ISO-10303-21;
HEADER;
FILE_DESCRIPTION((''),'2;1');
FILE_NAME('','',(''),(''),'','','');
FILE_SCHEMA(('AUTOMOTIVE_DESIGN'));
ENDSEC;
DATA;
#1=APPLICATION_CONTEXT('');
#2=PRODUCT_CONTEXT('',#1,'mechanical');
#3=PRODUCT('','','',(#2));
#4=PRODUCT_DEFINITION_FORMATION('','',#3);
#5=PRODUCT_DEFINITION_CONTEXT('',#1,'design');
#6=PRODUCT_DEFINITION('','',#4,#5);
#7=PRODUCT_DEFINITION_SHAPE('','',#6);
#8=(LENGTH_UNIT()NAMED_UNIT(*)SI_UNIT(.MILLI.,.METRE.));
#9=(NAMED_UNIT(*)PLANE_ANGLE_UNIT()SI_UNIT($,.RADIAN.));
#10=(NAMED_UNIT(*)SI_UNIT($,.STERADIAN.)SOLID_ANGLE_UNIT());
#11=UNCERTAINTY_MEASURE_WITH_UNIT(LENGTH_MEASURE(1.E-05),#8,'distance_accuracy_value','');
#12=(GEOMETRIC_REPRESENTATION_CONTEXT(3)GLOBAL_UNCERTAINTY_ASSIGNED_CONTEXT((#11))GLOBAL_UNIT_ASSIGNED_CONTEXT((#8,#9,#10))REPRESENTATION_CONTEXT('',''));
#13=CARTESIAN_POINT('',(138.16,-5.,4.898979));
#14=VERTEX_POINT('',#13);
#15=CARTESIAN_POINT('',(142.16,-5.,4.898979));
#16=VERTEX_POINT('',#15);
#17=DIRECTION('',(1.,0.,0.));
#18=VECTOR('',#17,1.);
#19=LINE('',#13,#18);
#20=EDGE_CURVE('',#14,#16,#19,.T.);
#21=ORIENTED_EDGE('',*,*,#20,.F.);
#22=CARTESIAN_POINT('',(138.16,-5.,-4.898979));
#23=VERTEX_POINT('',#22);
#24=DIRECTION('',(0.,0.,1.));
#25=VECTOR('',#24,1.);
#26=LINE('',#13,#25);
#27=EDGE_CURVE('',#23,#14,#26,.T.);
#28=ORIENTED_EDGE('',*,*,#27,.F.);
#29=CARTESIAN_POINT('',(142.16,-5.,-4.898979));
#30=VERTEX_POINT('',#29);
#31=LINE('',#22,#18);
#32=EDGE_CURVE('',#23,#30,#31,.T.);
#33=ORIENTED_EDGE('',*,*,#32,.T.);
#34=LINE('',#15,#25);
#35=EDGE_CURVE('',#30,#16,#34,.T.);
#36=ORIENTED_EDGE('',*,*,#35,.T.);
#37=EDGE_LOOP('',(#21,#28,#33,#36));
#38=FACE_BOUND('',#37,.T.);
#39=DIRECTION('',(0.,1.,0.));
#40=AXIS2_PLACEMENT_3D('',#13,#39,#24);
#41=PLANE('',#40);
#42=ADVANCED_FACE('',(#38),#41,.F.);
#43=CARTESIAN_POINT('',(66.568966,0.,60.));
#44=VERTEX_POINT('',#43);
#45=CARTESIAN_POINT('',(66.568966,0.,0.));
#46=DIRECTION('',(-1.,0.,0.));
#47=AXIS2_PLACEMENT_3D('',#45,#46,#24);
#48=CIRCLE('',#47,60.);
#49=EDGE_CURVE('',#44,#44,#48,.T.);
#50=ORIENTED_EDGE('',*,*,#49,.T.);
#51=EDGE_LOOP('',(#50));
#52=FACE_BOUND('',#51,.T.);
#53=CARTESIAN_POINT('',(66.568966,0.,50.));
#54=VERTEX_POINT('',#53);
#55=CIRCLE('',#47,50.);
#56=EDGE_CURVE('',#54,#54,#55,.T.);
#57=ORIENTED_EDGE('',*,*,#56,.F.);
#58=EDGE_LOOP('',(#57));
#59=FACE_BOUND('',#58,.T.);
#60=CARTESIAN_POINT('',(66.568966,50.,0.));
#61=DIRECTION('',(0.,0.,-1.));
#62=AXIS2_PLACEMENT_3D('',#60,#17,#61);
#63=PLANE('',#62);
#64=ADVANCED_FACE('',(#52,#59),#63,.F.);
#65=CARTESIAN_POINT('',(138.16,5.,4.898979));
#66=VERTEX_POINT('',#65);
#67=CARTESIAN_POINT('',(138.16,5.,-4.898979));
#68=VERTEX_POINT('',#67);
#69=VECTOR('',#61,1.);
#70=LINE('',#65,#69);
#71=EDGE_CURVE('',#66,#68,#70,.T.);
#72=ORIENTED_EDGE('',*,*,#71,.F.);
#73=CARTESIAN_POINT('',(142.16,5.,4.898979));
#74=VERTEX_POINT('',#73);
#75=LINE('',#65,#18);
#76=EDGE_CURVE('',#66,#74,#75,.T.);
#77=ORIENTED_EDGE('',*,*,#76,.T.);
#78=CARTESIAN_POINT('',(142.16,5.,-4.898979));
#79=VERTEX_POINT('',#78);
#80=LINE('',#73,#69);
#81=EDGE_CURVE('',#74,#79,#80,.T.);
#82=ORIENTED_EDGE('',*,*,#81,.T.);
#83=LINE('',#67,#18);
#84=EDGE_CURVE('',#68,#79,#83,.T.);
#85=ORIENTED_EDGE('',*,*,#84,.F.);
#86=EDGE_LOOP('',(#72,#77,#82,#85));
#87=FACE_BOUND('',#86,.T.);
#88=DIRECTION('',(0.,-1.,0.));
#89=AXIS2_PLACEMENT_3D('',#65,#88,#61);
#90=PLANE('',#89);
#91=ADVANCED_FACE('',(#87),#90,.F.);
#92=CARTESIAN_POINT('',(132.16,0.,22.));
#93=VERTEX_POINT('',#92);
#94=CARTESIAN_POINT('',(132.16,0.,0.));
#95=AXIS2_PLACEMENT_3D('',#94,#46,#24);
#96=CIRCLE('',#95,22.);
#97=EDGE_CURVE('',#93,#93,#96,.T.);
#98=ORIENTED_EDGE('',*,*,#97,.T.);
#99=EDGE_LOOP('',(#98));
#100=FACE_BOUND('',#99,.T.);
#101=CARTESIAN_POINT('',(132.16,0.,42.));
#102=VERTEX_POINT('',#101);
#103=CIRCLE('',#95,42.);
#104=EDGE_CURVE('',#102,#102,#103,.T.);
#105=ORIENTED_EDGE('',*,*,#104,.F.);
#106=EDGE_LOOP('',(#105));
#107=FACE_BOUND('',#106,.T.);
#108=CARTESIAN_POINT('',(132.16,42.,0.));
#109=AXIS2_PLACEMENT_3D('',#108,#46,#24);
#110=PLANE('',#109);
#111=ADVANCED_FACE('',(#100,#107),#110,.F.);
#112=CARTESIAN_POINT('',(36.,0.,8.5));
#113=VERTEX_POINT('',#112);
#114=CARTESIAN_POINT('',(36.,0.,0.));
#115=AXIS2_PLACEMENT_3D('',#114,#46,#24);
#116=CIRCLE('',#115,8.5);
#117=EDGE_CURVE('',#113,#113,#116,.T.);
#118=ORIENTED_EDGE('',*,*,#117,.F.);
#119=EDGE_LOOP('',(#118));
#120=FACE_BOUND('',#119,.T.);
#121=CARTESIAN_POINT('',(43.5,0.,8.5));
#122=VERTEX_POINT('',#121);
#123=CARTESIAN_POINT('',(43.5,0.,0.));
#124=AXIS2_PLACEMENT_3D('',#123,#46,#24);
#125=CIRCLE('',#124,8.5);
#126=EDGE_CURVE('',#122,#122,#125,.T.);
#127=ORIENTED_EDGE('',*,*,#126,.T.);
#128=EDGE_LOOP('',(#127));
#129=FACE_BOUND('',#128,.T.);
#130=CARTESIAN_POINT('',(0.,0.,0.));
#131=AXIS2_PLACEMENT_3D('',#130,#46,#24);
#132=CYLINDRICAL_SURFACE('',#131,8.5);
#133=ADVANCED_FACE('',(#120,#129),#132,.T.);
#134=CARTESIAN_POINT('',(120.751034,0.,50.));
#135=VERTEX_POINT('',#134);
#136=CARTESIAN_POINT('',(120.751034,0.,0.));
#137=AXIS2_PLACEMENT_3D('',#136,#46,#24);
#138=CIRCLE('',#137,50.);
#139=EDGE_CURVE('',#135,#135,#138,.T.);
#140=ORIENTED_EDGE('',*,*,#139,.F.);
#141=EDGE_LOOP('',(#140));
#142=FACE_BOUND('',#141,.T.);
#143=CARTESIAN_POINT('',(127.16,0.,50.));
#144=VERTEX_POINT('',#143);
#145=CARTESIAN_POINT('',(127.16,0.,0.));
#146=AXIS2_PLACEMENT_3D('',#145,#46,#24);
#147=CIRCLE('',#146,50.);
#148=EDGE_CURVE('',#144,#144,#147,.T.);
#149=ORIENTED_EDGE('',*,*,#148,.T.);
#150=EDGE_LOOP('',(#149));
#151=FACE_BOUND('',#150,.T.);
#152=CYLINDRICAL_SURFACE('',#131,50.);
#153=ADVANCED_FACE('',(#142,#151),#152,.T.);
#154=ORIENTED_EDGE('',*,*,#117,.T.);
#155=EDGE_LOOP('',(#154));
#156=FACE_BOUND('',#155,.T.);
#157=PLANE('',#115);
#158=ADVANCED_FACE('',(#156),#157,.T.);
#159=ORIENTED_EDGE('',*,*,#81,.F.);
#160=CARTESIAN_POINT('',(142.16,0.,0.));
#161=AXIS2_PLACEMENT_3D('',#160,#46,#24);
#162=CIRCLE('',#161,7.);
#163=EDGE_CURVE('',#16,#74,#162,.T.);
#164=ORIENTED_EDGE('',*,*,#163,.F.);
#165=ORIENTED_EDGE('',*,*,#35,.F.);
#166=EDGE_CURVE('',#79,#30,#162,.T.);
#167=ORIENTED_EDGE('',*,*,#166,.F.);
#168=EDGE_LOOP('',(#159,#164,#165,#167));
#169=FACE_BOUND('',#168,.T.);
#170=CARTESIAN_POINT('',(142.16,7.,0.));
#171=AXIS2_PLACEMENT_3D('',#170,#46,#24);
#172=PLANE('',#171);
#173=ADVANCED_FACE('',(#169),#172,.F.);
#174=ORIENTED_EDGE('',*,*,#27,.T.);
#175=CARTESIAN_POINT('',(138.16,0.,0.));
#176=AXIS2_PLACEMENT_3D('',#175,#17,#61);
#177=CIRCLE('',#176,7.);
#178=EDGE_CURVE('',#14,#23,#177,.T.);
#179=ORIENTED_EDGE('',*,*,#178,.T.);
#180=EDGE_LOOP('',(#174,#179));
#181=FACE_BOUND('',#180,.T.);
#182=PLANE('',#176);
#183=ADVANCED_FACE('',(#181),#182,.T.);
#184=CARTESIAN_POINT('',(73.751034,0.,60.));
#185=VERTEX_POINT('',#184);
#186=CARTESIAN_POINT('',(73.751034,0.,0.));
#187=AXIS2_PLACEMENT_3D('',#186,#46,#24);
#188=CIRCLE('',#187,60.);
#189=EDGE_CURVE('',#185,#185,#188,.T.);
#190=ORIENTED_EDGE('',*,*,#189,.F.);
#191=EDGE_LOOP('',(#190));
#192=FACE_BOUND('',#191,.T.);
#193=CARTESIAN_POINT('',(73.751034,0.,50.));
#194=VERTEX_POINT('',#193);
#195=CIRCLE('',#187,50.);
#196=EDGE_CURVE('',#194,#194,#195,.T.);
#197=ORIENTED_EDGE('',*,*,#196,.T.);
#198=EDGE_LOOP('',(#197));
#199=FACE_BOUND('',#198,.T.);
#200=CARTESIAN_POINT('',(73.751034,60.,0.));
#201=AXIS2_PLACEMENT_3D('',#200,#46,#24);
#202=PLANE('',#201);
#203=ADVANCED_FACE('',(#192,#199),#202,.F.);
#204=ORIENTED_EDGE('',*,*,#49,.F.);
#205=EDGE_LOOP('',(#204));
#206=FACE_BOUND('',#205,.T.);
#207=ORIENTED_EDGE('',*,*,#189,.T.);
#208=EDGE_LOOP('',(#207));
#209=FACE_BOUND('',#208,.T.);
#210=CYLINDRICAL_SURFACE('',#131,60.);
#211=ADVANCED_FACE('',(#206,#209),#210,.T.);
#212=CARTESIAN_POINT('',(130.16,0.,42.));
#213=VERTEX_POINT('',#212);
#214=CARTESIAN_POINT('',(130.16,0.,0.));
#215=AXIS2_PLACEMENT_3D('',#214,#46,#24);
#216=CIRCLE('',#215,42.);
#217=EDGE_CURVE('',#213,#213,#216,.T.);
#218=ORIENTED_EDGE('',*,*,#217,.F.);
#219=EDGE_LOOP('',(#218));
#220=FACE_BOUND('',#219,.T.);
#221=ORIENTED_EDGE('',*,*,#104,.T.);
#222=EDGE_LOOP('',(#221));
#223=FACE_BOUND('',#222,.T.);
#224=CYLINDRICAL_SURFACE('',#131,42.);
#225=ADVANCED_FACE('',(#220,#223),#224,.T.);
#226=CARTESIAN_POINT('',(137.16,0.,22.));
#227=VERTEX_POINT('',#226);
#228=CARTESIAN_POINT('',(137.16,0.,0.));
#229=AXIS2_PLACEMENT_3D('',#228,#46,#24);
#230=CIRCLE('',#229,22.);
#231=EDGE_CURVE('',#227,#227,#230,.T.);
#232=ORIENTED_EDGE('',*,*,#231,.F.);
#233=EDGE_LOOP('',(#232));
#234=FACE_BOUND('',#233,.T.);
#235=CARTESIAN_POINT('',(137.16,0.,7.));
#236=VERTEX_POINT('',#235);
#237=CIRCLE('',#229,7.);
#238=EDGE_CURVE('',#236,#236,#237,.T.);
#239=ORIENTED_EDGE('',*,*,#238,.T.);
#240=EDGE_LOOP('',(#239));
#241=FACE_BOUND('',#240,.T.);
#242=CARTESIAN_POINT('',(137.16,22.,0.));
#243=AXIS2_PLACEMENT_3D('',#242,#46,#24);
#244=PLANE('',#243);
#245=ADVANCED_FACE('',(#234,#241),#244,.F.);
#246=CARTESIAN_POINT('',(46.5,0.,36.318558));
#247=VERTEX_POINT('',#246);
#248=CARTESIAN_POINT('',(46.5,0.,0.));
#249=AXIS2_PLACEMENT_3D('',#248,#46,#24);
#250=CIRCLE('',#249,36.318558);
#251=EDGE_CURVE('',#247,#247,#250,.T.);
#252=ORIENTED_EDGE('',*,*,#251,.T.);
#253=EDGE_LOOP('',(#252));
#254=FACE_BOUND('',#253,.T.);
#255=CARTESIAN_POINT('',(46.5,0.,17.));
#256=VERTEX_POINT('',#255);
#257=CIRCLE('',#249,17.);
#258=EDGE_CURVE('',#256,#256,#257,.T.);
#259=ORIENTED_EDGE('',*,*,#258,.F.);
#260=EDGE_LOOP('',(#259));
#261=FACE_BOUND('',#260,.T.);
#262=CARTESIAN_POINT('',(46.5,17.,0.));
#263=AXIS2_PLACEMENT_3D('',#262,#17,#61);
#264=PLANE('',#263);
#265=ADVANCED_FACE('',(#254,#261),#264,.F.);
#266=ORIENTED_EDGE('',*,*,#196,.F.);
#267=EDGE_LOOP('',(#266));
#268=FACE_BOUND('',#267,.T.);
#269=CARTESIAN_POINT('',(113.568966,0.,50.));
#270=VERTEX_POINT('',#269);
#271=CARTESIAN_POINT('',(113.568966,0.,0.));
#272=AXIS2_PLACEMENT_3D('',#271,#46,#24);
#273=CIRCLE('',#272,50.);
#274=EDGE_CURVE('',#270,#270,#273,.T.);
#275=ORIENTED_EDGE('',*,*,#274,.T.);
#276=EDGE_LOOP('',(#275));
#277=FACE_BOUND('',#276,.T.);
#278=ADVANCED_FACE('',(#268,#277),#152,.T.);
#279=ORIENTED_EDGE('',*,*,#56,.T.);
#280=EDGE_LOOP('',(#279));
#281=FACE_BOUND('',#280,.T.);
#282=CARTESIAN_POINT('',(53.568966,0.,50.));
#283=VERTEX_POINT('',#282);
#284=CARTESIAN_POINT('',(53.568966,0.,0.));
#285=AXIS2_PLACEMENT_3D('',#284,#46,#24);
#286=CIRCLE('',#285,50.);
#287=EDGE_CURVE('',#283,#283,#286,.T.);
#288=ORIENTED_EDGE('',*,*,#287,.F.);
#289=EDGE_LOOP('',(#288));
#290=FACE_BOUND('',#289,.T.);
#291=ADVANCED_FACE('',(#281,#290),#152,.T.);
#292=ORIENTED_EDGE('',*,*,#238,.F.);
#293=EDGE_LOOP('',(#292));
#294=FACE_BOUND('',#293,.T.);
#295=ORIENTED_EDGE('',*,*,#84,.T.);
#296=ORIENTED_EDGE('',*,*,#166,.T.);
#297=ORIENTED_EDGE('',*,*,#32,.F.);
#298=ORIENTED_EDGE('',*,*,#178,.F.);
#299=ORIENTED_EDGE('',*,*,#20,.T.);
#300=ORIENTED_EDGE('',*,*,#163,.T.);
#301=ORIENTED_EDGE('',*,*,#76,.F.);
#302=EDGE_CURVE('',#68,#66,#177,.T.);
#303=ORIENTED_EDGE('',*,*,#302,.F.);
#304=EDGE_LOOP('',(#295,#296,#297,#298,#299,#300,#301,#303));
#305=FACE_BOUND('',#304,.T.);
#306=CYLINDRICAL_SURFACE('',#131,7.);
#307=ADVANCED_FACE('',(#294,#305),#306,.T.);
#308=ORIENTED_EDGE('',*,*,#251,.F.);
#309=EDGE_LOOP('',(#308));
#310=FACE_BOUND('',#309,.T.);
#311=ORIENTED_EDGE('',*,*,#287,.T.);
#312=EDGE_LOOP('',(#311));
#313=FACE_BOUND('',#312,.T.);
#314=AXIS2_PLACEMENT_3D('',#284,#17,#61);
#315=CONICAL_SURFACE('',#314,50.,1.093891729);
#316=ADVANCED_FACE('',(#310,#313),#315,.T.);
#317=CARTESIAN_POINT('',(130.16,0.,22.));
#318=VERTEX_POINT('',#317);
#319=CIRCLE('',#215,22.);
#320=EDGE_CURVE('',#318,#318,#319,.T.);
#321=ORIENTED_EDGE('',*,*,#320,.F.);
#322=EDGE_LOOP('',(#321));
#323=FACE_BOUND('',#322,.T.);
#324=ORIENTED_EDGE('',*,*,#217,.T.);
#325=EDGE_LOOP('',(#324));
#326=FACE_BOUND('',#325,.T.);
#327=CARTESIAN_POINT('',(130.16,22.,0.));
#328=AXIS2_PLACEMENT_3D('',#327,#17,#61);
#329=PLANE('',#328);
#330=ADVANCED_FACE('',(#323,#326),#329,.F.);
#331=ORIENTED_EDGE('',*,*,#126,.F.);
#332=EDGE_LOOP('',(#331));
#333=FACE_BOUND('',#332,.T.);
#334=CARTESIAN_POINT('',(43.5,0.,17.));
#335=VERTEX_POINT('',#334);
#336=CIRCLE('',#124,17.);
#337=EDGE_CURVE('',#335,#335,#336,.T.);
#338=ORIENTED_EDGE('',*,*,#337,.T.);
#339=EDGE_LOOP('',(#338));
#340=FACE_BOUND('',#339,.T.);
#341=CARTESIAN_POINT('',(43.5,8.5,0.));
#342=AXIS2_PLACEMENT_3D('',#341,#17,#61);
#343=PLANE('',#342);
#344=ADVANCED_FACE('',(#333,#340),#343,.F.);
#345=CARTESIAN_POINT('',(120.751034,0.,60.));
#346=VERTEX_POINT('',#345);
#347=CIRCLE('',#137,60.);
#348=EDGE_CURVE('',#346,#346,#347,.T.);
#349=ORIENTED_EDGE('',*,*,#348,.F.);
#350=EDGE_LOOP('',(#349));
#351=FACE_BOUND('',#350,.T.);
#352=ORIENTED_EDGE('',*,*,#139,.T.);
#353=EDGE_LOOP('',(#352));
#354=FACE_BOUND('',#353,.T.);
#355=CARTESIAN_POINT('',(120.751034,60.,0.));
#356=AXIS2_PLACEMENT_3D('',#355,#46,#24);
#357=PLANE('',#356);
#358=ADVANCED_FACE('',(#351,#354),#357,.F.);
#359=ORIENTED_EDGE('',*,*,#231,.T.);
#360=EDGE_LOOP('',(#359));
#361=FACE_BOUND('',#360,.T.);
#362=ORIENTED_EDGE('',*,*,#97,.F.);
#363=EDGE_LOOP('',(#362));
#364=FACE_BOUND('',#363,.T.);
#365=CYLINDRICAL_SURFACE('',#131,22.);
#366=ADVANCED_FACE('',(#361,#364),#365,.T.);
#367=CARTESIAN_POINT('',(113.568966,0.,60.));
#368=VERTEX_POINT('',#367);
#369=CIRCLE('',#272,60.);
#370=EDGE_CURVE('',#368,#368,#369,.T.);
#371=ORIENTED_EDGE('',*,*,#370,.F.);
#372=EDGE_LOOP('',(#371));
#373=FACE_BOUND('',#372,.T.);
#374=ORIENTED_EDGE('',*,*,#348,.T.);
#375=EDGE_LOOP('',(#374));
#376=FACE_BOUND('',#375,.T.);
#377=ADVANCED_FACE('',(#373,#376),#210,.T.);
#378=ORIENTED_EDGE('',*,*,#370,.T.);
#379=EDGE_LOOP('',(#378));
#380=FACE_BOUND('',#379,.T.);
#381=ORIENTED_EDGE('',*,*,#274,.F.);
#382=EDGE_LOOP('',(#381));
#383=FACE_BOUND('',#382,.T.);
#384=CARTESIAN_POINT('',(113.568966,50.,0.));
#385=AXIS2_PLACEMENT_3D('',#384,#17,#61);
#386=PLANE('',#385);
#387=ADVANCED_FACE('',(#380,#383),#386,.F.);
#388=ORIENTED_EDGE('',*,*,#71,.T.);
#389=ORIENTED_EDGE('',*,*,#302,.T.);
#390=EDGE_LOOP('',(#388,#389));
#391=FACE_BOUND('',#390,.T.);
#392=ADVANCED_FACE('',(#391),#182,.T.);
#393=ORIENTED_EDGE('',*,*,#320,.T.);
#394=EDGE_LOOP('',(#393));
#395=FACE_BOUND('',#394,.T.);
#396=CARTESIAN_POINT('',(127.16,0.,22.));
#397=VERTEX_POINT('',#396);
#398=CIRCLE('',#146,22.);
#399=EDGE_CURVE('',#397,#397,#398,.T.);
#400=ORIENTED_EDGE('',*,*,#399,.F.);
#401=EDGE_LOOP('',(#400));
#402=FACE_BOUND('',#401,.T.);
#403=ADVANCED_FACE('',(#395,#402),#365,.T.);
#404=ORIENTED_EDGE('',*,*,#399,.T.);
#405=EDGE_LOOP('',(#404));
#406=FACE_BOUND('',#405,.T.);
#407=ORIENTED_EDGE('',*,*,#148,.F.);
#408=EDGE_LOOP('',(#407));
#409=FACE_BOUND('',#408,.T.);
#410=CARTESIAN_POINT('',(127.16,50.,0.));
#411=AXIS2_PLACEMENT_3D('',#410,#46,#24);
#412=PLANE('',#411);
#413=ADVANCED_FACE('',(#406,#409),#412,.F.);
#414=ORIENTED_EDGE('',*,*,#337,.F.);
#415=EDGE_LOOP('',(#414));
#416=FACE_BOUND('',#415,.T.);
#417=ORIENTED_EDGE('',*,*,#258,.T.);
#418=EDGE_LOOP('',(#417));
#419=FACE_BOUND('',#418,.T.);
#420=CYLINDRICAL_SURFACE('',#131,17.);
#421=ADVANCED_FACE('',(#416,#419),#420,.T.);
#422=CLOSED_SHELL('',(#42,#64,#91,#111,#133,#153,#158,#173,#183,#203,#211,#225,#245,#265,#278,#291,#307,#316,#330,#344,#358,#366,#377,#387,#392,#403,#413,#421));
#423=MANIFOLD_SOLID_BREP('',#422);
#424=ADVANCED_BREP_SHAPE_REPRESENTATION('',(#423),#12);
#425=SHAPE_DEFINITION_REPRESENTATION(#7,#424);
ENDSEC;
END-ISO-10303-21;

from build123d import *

# Parameters (mm, degrees)
CUT_EXTRUDE1_DEPTH      = 4
CUT_EXTRUDE2_DEPTH      = 139.260282077
CUT_EXTRUDE2_DEPTH_BACK = 3
SKETCH3_R               = 8.5


with BuildPart() as part:
    # Sketch1 → Revolve1 (revolve)
    with BuildSketch(Plane.XY, mode=Mode.PRIVATE) as revolve1_sk:
        Polygon((0, 0), (0, 6), (33, 6), (33, 8.5), (43.5, 8.5), (43.5, 17), (46.5, 17), (46.5, 36.31855833), (53.568965517, 50), (66.568965517, 50), (66.568965517, 60), (73.751034483, 60), (73.751034483, 50), (113.568965517, 50), (113.568965517, 60), (120.751034483, 60), (120.751034483, 50), (127.16, 50), (127.16, 22), (130.16, 22), (130.16, 42), (132.16, 42), (132.16, 22), (137.16, 22), (137.16, 7), (142.16, 7), (142.16, 0), align=None)
    revolve(revolve1_sk.sketch.rotate(Axis((0, 0, 0), (1, 0, 0)), 90), axis=Axis((0, 0, 0), (1, 0, 0)))

    # Sketch2 → Cut-Extrude1 (cut)
    with BuildSketch(Plane(origin=(142.16, 0, 0), x_dir=(0, 0, -1), z_dir=(1, 0, 0))):
        with BuildLine():
            Line((-4.898979486, 5), (4.898979486, 5))
            ThreePointArc((4.898979486, 5), (0, 7), (-4.898979486, 5))
        make_face()
        with BuildLine():
            Line((-4.898979486, -5), (4.898979486, -5))
            ThreePointArc((4.898979486, -5), (0, -7), (-4.898979486, -5))
        make_face()
    extrude(amount=-CUT_EXTRUDE1_DEPTH, mode=Mode.SUBTRACT)

    # Sketch3 → Cut-Extrude2 (cut, two sides: drawn at the far end of the back side and taken through both)
    with BuildSketch(Plane.ZY.offset(-33).offset(-CUT_EXTRUDE2_DEPTH_BACK)):
        Circle(SKETCH3_R)
    extrude(amount=CUT_EXTRUDE2_DEPTH + CUT_EXTRUDE2_DEPTH_BACK, mode=Mode.SUBTRACT)


solid = part.part
